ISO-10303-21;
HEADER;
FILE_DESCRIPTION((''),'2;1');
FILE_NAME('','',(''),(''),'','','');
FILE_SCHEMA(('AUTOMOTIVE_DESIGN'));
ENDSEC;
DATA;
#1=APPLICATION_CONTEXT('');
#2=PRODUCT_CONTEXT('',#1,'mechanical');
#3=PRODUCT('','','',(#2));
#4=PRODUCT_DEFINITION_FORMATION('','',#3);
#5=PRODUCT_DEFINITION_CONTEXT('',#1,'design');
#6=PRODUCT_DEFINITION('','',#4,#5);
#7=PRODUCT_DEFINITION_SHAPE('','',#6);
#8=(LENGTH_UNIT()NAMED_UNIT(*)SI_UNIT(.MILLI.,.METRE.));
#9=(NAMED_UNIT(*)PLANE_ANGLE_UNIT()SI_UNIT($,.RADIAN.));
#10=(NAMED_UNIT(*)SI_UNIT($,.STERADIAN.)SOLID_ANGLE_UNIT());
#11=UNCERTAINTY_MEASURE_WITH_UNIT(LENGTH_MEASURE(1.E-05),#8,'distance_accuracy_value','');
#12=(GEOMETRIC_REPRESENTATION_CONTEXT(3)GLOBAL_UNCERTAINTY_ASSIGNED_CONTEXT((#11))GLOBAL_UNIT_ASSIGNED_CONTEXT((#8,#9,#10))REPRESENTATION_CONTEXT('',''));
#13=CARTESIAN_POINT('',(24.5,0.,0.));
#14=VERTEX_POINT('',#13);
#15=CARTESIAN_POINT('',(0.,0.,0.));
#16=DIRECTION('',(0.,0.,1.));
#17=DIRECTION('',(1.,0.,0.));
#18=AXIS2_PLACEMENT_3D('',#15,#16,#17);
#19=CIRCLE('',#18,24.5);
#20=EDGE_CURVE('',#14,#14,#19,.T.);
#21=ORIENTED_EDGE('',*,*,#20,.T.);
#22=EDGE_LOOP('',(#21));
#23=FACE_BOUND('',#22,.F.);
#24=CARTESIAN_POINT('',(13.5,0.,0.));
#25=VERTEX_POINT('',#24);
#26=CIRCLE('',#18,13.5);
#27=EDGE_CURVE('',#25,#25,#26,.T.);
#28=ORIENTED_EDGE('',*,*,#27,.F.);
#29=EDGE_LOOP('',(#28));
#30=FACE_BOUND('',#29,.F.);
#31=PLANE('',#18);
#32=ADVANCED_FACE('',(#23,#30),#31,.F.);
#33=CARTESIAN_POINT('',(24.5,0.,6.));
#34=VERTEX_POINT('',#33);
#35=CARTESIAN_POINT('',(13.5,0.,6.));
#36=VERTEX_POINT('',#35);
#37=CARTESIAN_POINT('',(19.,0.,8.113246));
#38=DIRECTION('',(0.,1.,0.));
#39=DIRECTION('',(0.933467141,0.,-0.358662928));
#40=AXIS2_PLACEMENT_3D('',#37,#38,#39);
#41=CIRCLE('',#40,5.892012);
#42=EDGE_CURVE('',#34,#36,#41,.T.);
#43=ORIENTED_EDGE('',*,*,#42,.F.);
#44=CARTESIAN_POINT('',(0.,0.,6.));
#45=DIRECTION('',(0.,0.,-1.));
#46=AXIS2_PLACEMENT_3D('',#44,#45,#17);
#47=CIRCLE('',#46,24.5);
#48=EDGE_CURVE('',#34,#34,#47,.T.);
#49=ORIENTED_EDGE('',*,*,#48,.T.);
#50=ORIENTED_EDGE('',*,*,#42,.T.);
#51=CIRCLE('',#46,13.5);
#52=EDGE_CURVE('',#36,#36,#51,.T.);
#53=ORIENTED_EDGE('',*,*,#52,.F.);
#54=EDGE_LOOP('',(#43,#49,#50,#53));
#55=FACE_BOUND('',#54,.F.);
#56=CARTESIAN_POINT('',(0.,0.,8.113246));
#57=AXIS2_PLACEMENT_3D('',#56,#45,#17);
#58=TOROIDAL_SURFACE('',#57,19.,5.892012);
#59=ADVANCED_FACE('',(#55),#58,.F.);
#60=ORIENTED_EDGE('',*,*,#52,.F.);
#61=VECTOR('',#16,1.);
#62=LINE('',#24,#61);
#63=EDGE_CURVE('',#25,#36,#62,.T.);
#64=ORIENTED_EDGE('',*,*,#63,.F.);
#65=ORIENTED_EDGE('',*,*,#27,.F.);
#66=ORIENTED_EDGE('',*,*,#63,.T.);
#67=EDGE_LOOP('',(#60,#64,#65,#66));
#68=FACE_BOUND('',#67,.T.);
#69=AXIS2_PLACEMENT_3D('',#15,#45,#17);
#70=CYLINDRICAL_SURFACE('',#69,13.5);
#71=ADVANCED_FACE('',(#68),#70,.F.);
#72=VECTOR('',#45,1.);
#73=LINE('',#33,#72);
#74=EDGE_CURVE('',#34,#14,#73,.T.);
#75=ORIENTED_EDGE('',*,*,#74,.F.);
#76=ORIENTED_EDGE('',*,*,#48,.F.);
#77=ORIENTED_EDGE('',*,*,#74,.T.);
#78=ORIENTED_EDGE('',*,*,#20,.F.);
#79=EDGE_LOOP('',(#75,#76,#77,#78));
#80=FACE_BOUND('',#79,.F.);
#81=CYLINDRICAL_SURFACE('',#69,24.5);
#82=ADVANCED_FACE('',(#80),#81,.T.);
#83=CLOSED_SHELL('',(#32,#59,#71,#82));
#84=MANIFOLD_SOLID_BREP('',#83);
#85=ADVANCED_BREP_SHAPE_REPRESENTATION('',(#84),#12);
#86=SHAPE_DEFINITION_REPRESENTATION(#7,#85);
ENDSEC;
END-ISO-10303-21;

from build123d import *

# Parameters (mm, degrees)
F0_R     = 24.5
F0_R_2   = 13.5
F1_DEPTH = 2


with BuildPart() as f1:
    # F0 (on Top) → F1 (new body)
    with BuildSketch(Plane.XY):
        Circle(F0_R)
        Circle(F0_R_2, mode=Mode.SUBTRACT)
    extrude(amount=F1_DEPTH)

    # F2 (on Front) → F3 (revolve)
    with BuildSketch(Plane.XZ):
        with BuildLine():
            Line((13.5, 0), (24.5, 0))
            Line((24.5, 0), (24.5, 6))
            ThreePointArc((24.5, 6), (19, 2.221234), (13.5, 6))
            Line((13.5, 6), (13.5, 0))
        make_face()
    revolve(axis=Axis((0, 0, 0.193171), (0, 0, -1)))


solid = f1.part
